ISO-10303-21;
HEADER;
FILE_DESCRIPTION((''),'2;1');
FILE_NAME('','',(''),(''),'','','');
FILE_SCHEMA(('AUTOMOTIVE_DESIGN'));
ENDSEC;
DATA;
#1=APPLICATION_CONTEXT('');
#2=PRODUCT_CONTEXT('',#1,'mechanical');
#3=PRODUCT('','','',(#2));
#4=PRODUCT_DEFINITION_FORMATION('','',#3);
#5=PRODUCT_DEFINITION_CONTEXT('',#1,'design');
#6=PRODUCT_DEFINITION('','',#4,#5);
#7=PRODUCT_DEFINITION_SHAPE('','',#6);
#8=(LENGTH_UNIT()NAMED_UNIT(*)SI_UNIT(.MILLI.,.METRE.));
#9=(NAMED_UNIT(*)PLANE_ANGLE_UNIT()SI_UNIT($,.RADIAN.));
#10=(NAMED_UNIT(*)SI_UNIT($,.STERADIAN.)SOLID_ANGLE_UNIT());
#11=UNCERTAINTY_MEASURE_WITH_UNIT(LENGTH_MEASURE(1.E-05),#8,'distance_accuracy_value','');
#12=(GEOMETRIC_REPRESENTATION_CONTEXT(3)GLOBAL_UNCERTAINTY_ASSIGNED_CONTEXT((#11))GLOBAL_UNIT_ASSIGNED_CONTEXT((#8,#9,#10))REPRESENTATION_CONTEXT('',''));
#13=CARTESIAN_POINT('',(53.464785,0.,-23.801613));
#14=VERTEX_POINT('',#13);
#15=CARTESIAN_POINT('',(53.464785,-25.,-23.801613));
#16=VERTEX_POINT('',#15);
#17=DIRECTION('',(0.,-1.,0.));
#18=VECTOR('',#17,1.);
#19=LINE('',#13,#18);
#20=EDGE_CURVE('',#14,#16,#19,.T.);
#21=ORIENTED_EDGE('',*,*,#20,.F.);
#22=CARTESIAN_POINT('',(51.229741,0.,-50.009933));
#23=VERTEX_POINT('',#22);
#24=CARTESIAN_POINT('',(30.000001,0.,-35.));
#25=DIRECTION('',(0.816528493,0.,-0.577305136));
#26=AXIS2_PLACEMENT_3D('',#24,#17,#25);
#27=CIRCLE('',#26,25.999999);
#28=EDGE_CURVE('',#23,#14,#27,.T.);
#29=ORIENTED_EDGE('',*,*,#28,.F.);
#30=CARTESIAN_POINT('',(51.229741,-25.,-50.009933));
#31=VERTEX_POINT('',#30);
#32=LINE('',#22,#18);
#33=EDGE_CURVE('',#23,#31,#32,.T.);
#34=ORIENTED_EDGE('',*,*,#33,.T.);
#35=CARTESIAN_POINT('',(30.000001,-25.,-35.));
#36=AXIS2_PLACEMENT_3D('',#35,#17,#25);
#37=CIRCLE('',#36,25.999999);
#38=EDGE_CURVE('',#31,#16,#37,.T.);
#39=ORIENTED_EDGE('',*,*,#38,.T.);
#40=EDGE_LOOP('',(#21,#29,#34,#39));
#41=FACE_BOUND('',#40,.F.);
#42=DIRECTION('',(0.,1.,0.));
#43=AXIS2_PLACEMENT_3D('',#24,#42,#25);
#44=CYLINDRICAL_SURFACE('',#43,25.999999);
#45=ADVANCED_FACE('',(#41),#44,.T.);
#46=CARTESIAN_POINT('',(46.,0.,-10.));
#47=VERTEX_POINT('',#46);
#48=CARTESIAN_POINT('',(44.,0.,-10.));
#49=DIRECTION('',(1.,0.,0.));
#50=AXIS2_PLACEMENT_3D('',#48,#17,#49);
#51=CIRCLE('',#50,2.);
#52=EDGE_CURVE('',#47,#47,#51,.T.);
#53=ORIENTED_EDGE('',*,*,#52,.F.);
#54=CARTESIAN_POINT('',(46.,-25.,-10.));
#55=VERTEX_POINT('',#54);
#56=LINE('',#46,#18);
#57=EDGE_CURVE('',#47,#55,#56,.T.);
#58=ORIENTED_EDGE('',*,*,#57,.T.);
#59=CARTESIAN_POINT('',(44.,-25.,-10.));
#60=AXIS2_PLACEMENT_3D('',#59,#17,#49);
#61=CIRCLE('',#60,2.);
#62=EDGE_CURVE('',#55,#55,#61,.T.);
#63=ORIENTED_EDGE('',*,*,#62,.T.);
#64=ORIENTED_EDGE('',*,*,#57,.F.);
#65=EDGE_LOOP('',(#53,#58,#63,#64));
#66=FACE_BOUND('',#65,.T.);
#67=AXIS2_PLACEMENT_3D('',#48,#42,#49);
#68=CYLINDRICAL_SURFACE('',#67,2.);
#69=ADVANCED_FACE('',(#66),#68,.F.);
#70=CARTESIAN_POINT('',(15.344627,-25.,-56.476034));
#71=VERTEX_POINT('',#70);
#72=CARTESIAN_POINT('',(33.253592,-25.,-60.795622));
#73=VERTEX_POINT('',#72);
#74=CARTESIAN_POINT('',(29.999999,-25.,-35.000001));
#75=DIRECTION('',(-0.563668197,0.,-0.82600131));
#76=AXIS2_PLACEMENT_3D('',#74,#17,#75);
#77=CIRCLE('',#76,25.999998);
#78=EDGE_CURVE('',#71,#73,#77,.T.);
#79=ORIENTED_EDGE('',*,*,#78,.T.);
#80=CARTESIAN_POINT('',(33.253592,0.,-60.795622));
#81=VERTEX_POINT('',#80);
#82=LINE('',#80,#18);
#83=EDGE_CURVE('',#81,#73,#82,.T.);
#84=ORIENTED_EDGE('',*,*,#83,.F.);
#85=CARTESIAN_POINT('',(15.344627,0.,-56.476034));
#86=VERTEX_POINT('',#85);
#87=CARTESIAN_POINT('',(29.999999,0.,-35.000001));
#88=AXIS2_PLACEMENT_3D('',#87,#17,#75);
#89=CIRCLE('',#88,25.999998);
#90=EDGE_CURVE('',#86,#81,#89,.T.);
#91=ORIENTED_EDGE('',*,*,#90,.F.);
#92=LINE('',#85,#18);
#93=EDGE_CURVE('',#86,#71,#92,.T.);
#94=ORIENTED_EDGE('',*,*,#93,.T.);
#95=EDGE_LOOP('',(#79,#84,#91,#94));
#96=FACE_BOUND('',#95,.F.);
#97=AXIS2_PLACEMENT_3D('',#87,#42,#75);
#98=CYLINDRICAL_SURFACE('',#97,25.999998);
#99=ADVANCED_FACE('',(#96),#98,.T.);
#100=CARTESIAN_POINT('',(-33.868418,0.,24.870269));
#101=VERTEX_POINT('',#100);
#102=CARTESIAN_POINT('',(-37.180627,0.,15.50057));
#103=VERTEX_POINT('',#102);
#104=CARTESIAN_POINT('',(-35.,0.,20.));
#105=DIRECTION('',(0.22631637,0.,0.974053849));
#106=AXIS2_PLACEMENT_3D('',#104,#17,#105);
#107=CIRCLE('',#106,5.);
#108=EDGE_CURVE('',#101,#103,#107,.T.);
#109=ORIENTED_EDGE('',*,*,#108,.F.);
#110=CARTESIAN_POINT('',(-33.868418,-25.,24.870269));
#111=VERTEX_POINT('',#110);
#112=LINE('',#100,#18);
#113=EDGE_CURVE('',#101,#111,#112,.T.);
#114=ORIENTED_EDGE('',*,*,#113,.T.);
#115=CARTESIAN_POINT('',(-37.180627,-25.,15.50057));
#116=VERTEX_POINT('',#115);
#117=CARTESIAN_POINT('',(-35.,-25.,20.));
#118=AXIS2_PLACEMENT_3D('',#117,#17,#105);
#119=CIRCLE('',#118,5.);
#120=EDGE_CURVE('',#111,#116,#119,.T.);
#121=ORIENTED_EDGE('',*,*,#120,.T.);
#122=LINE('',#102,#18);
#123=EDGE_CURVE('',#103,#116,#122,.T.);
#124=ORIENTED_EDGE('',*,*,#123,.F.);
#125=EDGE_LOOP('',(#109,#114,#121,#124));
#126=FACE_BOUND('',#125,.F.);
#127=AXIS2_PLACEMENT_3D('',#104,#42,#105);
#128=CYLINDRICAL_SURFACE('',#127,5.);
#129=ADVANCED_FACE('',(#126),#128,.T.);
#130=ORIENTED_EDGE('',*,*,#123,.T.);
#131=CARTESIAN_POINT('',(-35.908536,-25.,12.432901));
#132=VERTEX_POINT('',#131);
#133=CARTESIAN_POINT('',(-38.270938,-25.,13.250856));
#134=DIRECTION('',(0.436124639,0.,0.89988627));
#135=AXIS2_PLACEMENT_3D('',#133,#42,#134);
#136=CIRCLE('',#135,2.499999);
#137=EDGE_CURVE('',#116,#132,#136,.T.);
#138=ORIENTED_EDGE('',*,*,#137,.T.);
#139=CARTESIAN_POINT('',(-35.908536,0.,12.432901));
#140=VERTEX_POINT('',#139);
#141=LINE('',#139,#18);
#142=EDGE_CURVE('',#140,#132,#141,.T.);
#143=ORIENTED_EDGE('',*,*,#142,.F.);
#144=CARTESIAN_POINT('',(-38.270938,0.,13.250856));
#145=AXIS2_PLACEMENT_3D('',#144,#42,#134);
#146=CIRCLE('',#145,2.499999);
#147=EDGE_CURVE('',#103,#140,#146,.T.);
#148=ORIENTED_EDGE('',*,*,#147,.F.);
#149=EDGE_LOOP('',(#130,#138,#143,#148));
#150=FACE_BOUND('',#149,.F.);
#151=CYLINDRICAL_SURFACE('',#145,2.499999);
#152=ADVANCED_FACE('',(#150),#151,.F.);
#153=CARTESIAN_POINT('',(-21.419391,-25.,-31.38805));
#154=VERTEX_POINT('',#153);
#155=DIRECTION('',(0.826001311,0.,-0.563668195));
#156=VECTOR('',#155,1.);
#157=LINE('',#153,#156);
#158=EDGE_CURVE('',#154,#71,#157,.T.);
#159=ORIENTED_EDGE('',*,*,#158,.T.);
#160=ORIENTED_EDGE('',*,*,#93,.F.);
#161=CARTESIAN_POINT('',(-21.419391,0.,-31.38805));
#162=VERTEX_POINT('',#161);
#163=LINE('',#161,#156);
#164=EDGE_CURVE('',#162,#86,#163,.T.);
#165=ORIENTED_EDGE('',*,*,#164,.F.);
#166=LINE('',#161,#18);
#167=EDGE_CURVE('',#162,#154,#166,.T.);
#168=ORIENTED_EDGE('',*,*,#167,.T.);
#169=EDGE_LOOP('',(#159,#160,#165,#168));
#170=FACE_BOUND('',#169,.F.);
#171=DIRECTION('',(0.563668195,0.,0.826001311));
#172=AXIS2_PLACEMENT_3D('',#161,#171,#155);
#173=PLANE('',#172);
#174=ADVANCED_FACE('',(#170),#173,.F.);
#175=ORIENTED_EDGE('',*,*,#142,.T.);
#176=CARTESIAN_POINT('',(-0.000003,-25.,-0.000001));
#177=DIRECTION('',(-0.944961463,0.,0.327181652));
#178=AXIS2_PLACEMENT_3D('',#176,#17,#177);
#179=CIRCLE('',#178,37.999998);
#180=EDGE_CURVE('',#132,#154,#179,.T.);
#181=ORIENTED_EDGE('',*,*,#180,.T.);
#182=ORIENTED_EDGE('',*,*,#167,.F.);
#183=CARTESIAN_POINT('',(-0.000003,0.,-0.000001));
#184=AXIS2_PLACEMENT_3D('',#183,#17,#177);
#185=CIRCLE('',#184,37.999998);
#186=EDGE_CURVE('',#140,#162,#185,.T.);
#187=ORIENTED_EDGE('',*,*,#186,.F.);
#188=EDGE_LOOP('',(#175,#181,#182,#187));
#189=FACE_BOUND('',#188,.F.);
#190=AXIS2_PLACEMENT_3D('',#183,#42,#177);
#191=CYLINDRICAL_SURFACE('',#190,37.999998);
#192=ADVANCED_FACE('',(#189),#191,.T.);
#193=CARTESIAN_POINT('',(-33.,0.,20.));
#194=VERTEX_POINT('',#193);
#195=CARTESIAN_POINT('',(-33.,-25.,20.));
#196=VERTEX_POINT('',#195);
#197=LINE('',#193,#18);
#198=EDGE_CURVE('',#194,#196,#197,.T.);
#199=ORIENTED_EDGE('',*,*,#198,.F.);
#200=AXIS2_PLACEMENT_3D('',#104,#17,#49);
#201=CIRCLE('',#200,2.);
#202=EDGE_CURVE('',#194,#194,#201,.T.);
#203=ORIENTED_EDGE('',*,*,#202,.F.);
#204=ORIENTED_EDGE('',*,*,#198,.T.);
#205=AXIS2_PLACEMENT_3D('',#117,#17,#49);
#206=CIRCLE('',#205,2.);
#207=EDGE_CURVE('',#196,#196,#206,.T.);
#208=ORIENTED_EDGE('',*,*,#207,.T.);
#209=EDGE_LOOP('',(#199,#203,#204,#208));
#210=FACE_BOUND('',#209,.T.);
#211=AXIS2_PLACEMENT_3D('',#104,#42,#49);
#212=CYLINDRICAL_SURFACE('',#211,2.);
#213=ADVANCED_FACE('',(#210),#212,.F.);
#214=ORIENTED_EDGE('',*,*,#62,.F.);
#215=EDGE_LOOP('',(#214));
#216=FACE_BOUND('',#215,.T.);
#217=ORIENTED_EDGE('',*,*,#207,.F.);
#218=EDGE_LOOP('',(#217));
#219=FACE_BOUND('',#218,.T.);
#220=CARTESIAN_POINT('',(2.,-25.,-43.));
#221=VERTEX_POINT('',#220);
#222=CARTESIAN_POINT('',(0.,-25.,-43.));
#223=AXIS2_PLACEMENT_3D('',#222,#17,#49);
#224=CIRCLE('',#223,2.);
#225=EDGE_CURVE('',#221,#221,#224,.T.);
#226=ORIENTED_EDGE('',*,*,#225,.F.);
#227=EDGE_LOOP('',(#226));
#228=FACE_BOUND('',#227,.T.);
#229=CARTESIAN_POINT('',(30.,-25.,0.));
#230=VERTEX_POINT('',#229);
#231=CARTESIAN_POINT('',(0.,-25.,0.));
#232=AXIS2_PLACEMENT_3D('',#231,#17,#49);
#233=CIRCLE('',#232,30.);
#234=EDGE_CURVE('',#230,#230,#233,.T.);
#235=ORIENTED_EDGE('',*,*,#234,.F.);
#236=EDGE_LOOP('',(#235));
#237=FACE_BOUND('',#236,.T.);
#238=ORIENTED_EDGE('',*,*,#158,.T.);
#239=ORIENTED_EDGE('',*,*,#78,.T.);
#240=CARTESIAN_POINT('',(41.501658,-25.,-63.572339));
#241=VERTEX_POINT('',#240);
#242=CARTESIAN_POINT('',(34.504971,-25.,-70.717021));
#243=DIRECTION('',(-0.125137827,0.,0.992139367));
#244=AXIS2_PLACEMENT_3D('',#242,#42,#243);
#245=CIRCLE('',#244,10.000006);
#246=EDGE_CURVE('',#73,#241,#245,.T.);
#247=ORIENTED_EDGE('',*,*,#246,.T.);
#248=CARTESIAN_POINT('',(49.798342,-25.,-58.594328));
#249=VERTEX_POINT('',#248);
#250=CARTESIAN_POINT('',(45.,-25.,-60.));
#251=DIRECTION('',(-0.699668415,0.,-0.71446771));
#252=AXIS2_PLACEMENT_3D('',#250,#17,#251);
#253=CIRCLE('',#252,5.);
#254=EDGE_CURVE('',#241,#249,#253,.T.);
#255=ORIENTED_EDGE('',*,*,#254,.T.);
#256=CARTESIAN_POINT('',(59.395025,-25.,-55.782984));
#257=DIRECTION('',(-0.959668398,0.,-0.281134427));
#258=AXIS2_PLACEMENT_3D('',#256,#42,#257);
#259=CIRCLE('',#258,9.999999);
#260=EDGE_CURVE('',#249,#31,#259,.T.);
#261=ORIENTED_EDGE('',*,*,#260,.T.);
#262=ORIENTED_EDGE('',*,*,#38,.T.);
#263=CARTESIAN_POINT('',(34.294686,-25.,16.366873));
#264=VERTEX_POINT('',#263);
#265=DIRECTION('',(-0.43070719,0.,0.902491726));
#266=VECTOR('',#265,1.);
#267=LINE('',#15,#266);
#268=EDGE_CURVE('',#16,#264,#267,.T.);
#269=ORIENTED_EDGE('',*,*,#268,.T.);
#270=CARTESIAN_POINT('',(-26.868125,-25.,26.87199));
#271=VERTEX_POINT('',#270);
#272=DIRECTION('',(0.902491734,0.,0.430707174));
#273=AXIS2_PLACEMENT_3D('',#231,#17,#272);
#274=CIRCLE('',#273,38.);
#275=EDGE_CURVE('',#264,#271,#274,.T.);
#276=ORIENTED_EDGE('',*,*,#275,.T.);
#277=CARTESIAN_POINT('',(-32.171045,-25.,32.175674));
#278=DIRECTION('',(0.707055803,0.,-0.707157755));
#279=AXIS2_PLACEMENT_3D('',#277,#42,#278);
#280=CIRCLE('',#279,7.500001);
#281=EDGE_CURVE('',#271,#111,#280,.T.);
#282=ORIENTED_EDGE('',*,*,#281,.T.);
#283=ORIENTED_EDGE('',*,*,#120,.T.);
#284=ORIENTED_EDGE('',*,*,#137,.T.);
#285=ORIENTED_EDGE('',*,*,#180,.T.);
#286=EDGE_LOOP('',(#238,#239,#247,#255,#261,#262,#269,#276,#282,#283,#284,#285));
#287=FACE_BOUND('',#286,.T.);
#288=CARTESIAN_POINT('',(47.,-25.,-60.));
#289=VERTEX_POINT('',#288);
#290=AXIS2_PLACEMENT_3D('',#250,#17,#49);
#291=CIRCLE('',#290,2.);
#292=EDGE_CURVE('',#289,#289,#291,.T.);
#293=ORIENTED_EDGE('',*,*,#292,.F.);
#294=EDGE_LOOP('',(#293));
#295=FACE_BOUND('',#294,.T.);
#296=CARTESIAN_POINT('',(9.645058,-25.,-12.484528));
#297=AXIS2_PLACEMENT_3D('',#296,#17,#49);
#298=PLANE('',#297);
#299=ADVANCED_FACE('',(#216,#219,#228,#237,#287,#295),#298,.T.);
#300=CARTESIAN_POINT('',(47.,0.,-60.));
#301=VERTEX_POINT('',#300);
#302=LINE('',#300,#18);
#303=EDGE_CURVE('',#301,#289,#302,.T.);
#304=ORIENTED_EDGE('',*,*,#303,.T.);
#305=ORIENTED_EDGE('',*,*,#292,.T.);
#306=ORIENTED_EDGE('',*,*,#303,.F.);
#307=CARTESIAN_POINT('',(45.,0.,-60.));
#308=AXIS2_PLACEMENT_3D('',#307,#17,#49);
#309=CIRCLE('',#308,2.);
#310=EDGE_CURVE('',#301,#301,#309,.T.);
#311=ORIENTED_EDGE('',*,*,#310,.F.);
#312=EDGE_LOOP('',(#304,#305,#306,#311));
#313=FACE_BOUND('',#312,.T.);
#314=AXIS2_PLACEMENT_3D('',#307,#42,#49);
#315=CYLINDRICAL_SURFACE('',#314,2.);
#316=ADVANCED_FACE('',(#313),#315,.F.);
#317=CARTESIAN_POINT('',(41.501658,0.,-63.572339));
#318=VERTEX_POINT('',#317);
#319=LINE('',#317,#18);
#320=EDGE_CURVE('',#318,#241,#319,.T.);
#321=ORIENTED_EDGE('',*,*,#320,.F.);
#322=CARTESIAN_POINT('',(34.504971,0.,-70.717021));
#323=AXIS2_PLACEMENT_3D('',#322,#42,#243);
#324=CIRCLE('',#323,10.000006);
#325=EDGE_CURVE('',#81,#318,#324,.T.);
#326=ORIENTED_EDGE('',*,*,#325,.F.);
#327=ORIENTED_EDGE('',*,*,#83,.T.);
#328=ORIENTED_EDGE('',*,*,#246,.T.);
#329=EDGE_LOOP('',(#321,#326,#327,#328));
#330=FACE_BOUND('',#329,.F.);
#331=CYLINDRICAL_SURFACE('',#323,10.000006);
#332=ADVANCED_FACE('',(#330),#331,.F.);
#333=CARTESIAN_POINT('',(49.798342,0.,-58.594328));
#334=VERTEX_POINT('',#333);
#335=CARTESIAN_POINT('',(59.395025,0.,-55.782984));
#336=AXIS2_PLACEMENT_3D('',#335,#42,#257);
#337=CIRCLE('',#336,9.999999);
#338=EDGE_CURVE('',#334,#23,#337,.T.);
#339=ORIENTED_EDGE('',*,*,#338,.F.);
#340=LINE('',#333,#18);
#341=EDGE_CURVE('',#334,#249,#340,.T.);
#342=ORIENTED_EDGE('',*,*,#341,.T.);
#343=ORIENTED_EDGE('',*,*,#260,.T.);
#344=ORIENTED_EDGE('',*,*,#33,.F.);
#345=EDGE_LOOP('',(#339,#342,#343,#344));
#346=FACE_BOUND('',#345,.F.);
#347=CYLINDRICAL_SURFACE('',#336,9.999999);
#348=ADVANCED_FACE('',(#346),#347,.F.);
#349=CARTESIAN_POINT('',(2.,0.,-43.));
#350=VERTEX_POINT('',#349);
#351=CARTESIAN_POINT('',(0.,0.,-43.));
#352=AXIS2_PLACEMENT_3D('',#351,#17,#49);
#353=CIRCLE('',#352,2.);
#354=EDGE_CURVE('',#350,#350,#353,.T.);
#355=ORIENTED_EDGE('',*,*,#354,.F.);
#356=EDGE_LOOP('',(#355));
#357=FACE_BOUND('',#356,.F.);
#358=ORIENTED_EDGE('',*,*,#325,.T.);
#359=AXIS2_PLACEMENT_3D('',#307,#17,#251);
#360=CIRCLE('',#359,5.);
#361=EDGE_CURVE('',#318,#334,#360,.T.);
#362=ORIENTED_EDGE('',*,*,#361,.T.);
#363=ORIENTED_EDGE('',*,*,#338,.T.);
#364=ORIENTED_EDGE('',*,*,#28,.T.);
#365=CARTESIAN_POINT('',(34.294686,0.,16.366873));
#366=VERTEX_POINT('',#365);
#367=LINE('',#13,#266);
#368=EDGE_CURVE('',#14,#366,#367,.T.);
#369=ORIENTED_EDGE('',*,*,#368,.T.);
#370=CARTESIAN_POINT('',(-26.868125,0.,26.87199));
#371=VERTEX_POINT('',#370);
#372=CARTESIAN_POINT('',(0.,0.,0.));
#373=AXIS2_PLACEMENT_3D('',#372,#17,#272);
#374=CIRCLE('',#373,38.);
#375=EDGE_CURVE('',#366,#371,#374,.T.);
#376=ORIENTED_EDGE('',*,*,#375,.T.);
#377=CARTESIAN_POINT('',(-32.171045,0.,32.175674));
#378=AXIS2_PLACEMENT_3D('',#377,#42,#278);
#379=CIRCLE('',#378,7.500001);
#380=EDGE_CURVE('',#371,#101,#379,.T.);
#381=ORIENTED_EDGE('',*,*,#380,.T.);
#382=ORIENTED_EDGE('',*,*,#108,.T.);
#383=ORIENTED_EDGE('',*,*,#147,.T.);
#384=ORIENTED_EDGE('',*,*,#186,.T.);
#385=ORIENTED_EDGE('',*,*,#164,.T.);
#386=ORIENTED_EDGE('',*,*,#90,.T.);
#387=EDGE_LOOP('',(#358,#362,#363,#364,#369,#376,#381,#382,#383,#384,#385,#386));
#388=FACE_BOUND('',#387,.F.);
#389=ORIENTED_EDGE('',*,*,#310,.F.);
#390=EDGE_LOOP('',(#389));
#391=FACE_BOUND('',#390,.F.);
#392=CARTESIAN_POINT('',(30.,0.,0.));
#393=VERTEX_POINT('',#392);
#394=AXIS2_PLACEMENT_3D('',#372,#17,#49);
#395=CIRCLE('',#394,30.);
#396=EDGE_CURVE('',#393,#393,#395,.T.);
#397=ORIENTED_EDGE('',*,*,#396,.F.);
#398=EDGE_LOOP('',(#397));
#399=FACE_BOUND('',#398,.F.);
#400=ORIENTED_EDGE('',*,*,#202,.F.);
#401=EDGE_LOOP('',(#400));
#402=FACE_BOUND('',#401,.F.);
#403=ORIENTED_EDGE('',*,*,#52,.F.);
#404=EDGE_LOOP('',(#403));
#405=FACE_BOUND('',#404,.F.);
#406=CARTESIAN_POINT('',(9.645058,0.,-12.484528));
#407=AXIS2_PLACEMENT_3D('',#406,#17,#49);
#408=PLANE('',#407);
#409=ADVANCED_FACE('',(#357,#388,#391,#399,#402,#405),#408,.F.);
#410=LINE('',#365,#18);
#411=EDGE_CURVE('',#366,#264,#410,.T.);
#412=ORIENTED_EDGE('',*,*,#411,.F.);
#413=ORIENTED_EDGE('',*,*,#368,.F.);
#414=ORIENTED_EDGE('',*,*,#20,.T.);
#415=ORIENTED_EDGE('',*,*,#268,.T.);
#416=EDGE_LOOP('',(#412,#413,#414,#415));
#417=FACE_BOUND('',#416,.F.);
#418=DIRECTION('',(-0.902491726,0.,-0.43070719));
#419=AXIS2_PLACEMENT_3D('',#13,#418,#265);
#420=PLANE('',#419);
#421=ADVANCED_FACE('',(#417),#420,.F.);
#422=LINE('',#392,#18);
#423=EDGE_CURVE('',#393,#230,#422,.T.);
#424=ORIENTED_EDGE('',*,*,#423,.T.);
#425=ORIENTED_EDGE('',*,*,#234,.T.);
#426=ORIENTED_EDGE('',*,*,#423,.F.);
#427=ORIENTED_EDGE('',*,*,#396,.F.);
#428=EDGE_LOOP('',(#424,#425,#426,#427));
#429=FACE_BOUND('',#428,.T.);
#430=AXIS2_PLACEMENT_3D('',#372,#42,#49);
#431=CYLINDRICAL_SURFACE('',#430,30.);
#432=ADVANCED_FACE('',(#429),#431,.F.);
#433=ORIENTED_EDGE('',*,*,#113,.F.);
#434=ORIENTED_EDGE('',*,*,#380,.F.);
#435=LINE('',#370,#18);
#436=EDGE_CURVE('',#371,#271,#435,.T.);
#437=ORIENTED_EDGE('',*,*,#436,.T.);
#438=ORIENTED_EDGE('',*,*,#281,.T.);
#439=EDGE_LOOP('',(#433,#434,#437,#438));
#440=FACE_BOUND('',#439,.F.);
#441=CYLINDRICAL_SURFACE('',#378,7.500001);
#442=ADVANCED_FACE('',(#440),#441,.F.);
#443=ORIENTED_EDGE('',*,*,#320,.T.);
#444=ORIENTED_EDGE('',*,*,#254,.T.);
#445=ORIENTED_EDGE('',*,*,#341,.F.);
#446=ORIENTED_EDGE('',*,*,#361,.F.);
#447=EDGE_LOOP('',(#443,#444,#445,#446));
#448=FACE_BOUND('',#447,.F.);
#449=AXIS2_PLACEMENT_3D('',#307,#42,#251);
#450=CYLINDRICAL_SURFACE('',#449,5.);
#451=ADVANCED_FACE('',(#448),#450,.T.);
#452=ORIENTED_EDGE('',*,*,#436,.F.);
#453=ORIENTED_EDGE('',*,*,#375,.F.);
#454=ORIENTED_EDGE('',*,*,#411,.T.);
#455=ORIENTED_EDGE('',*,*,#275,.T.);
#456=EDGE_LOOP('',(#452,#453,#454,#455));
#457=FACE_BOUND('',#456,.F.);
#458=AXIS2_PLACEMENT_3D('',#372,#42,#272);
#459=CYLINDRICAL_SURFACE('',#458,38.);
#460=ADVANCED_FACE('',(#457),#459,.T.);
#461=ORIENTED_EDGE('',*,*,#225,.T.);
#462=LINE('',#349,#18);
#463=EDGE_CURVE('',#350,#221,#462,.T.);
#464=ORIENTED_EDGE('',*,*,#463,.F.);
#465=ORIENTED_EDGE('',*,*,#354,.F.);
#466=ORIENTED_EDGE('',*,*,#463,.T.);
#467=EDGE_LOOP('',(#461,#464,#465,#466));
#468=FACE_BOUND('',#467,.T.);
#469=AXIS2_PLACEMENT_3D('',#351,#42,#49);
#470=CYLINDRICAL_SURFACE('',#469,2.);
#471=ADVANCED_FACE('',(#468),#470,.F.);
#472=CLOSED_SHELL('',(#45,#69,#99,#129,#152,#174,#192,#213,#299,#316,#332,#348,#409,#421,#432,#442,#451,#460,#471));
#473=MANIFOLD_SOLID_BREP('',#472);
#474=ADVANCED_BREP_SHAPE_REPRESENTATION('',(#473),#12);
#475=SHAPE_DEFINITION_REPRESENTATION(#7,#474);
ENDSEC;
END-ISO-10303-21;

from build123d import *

# Parameters (mm, degrees)
F0_R     = 2
F0_R_2   = 30
F1_DEPTH = 25


with BuildPart() as f1:
    # F0 (on Front) → F1 (new body)
    with BuildSketch(Plane.XZ):
        with BuildLine():
            ThreePointArc((-37.180627, 15.50057), (-35.961619, 14.208477), (-35.908536, 12.432901))
            ThreePointArc((-35.908536, 12.432901), (-36.078966, -11.929302), (-21.419391, -31.38805))
            Line((-21.419391, -31.38805), (15.344627, -56.476034))
            ThreePointArc((15.344627, -56.476034), (23.903701, -60.275188), (33.253592, -60.795622))
            ThreePointArc((33.253592, -60.795622), (37.695532, -61.239657), (41.501658, -63.572339))
            ThreePointArc((41.501658, -63.572339), (47.572479, -64.287465), (49.798342, -58.594328))
            ThreePointArc((49.798342, -58.594328), (49.531211, -54.138249), (51.229741, -50.009933))
            ThreePointArc((51.229741, -50.009933), (55.905968, -37.209259), (53.464785, -23.801613))
            Line((53.464785, -23.801613), (34.294686, 16.366873))
            ThreePointArc((34.294686, 16.366873), (6.43256, 37.451598), (-26.868125, 26.87199))
            ThreePointArc((-26.868125, 26.87199), (-30.109076, 24.964689), (-33.868418, 24.870269))
            ThreePointArc((-33.868418, 24.870269), (-39.714121, 21.666452), (-37.180627, 15.50057))
        make_face()
        with Locations((0, -43)):
            Circle(F0_R, mode=Mode.SUBTRACT)
        with Locations((45, -60)):
            Circle(F0_R, mode=Mode.SUBTRACT)
        Circle(F0_R_2, mode=Mode.SUBTRACT)
        with Locations((-35, 20)):
            Circle(F0_R, mode=Mode.SUBTRACT)
        with Locations((44, -10)):
            Circle(F0_R, mode=Mode.SUBTRACT)
    extrude(amount=F1_DEPTH)


solid = f1.part
